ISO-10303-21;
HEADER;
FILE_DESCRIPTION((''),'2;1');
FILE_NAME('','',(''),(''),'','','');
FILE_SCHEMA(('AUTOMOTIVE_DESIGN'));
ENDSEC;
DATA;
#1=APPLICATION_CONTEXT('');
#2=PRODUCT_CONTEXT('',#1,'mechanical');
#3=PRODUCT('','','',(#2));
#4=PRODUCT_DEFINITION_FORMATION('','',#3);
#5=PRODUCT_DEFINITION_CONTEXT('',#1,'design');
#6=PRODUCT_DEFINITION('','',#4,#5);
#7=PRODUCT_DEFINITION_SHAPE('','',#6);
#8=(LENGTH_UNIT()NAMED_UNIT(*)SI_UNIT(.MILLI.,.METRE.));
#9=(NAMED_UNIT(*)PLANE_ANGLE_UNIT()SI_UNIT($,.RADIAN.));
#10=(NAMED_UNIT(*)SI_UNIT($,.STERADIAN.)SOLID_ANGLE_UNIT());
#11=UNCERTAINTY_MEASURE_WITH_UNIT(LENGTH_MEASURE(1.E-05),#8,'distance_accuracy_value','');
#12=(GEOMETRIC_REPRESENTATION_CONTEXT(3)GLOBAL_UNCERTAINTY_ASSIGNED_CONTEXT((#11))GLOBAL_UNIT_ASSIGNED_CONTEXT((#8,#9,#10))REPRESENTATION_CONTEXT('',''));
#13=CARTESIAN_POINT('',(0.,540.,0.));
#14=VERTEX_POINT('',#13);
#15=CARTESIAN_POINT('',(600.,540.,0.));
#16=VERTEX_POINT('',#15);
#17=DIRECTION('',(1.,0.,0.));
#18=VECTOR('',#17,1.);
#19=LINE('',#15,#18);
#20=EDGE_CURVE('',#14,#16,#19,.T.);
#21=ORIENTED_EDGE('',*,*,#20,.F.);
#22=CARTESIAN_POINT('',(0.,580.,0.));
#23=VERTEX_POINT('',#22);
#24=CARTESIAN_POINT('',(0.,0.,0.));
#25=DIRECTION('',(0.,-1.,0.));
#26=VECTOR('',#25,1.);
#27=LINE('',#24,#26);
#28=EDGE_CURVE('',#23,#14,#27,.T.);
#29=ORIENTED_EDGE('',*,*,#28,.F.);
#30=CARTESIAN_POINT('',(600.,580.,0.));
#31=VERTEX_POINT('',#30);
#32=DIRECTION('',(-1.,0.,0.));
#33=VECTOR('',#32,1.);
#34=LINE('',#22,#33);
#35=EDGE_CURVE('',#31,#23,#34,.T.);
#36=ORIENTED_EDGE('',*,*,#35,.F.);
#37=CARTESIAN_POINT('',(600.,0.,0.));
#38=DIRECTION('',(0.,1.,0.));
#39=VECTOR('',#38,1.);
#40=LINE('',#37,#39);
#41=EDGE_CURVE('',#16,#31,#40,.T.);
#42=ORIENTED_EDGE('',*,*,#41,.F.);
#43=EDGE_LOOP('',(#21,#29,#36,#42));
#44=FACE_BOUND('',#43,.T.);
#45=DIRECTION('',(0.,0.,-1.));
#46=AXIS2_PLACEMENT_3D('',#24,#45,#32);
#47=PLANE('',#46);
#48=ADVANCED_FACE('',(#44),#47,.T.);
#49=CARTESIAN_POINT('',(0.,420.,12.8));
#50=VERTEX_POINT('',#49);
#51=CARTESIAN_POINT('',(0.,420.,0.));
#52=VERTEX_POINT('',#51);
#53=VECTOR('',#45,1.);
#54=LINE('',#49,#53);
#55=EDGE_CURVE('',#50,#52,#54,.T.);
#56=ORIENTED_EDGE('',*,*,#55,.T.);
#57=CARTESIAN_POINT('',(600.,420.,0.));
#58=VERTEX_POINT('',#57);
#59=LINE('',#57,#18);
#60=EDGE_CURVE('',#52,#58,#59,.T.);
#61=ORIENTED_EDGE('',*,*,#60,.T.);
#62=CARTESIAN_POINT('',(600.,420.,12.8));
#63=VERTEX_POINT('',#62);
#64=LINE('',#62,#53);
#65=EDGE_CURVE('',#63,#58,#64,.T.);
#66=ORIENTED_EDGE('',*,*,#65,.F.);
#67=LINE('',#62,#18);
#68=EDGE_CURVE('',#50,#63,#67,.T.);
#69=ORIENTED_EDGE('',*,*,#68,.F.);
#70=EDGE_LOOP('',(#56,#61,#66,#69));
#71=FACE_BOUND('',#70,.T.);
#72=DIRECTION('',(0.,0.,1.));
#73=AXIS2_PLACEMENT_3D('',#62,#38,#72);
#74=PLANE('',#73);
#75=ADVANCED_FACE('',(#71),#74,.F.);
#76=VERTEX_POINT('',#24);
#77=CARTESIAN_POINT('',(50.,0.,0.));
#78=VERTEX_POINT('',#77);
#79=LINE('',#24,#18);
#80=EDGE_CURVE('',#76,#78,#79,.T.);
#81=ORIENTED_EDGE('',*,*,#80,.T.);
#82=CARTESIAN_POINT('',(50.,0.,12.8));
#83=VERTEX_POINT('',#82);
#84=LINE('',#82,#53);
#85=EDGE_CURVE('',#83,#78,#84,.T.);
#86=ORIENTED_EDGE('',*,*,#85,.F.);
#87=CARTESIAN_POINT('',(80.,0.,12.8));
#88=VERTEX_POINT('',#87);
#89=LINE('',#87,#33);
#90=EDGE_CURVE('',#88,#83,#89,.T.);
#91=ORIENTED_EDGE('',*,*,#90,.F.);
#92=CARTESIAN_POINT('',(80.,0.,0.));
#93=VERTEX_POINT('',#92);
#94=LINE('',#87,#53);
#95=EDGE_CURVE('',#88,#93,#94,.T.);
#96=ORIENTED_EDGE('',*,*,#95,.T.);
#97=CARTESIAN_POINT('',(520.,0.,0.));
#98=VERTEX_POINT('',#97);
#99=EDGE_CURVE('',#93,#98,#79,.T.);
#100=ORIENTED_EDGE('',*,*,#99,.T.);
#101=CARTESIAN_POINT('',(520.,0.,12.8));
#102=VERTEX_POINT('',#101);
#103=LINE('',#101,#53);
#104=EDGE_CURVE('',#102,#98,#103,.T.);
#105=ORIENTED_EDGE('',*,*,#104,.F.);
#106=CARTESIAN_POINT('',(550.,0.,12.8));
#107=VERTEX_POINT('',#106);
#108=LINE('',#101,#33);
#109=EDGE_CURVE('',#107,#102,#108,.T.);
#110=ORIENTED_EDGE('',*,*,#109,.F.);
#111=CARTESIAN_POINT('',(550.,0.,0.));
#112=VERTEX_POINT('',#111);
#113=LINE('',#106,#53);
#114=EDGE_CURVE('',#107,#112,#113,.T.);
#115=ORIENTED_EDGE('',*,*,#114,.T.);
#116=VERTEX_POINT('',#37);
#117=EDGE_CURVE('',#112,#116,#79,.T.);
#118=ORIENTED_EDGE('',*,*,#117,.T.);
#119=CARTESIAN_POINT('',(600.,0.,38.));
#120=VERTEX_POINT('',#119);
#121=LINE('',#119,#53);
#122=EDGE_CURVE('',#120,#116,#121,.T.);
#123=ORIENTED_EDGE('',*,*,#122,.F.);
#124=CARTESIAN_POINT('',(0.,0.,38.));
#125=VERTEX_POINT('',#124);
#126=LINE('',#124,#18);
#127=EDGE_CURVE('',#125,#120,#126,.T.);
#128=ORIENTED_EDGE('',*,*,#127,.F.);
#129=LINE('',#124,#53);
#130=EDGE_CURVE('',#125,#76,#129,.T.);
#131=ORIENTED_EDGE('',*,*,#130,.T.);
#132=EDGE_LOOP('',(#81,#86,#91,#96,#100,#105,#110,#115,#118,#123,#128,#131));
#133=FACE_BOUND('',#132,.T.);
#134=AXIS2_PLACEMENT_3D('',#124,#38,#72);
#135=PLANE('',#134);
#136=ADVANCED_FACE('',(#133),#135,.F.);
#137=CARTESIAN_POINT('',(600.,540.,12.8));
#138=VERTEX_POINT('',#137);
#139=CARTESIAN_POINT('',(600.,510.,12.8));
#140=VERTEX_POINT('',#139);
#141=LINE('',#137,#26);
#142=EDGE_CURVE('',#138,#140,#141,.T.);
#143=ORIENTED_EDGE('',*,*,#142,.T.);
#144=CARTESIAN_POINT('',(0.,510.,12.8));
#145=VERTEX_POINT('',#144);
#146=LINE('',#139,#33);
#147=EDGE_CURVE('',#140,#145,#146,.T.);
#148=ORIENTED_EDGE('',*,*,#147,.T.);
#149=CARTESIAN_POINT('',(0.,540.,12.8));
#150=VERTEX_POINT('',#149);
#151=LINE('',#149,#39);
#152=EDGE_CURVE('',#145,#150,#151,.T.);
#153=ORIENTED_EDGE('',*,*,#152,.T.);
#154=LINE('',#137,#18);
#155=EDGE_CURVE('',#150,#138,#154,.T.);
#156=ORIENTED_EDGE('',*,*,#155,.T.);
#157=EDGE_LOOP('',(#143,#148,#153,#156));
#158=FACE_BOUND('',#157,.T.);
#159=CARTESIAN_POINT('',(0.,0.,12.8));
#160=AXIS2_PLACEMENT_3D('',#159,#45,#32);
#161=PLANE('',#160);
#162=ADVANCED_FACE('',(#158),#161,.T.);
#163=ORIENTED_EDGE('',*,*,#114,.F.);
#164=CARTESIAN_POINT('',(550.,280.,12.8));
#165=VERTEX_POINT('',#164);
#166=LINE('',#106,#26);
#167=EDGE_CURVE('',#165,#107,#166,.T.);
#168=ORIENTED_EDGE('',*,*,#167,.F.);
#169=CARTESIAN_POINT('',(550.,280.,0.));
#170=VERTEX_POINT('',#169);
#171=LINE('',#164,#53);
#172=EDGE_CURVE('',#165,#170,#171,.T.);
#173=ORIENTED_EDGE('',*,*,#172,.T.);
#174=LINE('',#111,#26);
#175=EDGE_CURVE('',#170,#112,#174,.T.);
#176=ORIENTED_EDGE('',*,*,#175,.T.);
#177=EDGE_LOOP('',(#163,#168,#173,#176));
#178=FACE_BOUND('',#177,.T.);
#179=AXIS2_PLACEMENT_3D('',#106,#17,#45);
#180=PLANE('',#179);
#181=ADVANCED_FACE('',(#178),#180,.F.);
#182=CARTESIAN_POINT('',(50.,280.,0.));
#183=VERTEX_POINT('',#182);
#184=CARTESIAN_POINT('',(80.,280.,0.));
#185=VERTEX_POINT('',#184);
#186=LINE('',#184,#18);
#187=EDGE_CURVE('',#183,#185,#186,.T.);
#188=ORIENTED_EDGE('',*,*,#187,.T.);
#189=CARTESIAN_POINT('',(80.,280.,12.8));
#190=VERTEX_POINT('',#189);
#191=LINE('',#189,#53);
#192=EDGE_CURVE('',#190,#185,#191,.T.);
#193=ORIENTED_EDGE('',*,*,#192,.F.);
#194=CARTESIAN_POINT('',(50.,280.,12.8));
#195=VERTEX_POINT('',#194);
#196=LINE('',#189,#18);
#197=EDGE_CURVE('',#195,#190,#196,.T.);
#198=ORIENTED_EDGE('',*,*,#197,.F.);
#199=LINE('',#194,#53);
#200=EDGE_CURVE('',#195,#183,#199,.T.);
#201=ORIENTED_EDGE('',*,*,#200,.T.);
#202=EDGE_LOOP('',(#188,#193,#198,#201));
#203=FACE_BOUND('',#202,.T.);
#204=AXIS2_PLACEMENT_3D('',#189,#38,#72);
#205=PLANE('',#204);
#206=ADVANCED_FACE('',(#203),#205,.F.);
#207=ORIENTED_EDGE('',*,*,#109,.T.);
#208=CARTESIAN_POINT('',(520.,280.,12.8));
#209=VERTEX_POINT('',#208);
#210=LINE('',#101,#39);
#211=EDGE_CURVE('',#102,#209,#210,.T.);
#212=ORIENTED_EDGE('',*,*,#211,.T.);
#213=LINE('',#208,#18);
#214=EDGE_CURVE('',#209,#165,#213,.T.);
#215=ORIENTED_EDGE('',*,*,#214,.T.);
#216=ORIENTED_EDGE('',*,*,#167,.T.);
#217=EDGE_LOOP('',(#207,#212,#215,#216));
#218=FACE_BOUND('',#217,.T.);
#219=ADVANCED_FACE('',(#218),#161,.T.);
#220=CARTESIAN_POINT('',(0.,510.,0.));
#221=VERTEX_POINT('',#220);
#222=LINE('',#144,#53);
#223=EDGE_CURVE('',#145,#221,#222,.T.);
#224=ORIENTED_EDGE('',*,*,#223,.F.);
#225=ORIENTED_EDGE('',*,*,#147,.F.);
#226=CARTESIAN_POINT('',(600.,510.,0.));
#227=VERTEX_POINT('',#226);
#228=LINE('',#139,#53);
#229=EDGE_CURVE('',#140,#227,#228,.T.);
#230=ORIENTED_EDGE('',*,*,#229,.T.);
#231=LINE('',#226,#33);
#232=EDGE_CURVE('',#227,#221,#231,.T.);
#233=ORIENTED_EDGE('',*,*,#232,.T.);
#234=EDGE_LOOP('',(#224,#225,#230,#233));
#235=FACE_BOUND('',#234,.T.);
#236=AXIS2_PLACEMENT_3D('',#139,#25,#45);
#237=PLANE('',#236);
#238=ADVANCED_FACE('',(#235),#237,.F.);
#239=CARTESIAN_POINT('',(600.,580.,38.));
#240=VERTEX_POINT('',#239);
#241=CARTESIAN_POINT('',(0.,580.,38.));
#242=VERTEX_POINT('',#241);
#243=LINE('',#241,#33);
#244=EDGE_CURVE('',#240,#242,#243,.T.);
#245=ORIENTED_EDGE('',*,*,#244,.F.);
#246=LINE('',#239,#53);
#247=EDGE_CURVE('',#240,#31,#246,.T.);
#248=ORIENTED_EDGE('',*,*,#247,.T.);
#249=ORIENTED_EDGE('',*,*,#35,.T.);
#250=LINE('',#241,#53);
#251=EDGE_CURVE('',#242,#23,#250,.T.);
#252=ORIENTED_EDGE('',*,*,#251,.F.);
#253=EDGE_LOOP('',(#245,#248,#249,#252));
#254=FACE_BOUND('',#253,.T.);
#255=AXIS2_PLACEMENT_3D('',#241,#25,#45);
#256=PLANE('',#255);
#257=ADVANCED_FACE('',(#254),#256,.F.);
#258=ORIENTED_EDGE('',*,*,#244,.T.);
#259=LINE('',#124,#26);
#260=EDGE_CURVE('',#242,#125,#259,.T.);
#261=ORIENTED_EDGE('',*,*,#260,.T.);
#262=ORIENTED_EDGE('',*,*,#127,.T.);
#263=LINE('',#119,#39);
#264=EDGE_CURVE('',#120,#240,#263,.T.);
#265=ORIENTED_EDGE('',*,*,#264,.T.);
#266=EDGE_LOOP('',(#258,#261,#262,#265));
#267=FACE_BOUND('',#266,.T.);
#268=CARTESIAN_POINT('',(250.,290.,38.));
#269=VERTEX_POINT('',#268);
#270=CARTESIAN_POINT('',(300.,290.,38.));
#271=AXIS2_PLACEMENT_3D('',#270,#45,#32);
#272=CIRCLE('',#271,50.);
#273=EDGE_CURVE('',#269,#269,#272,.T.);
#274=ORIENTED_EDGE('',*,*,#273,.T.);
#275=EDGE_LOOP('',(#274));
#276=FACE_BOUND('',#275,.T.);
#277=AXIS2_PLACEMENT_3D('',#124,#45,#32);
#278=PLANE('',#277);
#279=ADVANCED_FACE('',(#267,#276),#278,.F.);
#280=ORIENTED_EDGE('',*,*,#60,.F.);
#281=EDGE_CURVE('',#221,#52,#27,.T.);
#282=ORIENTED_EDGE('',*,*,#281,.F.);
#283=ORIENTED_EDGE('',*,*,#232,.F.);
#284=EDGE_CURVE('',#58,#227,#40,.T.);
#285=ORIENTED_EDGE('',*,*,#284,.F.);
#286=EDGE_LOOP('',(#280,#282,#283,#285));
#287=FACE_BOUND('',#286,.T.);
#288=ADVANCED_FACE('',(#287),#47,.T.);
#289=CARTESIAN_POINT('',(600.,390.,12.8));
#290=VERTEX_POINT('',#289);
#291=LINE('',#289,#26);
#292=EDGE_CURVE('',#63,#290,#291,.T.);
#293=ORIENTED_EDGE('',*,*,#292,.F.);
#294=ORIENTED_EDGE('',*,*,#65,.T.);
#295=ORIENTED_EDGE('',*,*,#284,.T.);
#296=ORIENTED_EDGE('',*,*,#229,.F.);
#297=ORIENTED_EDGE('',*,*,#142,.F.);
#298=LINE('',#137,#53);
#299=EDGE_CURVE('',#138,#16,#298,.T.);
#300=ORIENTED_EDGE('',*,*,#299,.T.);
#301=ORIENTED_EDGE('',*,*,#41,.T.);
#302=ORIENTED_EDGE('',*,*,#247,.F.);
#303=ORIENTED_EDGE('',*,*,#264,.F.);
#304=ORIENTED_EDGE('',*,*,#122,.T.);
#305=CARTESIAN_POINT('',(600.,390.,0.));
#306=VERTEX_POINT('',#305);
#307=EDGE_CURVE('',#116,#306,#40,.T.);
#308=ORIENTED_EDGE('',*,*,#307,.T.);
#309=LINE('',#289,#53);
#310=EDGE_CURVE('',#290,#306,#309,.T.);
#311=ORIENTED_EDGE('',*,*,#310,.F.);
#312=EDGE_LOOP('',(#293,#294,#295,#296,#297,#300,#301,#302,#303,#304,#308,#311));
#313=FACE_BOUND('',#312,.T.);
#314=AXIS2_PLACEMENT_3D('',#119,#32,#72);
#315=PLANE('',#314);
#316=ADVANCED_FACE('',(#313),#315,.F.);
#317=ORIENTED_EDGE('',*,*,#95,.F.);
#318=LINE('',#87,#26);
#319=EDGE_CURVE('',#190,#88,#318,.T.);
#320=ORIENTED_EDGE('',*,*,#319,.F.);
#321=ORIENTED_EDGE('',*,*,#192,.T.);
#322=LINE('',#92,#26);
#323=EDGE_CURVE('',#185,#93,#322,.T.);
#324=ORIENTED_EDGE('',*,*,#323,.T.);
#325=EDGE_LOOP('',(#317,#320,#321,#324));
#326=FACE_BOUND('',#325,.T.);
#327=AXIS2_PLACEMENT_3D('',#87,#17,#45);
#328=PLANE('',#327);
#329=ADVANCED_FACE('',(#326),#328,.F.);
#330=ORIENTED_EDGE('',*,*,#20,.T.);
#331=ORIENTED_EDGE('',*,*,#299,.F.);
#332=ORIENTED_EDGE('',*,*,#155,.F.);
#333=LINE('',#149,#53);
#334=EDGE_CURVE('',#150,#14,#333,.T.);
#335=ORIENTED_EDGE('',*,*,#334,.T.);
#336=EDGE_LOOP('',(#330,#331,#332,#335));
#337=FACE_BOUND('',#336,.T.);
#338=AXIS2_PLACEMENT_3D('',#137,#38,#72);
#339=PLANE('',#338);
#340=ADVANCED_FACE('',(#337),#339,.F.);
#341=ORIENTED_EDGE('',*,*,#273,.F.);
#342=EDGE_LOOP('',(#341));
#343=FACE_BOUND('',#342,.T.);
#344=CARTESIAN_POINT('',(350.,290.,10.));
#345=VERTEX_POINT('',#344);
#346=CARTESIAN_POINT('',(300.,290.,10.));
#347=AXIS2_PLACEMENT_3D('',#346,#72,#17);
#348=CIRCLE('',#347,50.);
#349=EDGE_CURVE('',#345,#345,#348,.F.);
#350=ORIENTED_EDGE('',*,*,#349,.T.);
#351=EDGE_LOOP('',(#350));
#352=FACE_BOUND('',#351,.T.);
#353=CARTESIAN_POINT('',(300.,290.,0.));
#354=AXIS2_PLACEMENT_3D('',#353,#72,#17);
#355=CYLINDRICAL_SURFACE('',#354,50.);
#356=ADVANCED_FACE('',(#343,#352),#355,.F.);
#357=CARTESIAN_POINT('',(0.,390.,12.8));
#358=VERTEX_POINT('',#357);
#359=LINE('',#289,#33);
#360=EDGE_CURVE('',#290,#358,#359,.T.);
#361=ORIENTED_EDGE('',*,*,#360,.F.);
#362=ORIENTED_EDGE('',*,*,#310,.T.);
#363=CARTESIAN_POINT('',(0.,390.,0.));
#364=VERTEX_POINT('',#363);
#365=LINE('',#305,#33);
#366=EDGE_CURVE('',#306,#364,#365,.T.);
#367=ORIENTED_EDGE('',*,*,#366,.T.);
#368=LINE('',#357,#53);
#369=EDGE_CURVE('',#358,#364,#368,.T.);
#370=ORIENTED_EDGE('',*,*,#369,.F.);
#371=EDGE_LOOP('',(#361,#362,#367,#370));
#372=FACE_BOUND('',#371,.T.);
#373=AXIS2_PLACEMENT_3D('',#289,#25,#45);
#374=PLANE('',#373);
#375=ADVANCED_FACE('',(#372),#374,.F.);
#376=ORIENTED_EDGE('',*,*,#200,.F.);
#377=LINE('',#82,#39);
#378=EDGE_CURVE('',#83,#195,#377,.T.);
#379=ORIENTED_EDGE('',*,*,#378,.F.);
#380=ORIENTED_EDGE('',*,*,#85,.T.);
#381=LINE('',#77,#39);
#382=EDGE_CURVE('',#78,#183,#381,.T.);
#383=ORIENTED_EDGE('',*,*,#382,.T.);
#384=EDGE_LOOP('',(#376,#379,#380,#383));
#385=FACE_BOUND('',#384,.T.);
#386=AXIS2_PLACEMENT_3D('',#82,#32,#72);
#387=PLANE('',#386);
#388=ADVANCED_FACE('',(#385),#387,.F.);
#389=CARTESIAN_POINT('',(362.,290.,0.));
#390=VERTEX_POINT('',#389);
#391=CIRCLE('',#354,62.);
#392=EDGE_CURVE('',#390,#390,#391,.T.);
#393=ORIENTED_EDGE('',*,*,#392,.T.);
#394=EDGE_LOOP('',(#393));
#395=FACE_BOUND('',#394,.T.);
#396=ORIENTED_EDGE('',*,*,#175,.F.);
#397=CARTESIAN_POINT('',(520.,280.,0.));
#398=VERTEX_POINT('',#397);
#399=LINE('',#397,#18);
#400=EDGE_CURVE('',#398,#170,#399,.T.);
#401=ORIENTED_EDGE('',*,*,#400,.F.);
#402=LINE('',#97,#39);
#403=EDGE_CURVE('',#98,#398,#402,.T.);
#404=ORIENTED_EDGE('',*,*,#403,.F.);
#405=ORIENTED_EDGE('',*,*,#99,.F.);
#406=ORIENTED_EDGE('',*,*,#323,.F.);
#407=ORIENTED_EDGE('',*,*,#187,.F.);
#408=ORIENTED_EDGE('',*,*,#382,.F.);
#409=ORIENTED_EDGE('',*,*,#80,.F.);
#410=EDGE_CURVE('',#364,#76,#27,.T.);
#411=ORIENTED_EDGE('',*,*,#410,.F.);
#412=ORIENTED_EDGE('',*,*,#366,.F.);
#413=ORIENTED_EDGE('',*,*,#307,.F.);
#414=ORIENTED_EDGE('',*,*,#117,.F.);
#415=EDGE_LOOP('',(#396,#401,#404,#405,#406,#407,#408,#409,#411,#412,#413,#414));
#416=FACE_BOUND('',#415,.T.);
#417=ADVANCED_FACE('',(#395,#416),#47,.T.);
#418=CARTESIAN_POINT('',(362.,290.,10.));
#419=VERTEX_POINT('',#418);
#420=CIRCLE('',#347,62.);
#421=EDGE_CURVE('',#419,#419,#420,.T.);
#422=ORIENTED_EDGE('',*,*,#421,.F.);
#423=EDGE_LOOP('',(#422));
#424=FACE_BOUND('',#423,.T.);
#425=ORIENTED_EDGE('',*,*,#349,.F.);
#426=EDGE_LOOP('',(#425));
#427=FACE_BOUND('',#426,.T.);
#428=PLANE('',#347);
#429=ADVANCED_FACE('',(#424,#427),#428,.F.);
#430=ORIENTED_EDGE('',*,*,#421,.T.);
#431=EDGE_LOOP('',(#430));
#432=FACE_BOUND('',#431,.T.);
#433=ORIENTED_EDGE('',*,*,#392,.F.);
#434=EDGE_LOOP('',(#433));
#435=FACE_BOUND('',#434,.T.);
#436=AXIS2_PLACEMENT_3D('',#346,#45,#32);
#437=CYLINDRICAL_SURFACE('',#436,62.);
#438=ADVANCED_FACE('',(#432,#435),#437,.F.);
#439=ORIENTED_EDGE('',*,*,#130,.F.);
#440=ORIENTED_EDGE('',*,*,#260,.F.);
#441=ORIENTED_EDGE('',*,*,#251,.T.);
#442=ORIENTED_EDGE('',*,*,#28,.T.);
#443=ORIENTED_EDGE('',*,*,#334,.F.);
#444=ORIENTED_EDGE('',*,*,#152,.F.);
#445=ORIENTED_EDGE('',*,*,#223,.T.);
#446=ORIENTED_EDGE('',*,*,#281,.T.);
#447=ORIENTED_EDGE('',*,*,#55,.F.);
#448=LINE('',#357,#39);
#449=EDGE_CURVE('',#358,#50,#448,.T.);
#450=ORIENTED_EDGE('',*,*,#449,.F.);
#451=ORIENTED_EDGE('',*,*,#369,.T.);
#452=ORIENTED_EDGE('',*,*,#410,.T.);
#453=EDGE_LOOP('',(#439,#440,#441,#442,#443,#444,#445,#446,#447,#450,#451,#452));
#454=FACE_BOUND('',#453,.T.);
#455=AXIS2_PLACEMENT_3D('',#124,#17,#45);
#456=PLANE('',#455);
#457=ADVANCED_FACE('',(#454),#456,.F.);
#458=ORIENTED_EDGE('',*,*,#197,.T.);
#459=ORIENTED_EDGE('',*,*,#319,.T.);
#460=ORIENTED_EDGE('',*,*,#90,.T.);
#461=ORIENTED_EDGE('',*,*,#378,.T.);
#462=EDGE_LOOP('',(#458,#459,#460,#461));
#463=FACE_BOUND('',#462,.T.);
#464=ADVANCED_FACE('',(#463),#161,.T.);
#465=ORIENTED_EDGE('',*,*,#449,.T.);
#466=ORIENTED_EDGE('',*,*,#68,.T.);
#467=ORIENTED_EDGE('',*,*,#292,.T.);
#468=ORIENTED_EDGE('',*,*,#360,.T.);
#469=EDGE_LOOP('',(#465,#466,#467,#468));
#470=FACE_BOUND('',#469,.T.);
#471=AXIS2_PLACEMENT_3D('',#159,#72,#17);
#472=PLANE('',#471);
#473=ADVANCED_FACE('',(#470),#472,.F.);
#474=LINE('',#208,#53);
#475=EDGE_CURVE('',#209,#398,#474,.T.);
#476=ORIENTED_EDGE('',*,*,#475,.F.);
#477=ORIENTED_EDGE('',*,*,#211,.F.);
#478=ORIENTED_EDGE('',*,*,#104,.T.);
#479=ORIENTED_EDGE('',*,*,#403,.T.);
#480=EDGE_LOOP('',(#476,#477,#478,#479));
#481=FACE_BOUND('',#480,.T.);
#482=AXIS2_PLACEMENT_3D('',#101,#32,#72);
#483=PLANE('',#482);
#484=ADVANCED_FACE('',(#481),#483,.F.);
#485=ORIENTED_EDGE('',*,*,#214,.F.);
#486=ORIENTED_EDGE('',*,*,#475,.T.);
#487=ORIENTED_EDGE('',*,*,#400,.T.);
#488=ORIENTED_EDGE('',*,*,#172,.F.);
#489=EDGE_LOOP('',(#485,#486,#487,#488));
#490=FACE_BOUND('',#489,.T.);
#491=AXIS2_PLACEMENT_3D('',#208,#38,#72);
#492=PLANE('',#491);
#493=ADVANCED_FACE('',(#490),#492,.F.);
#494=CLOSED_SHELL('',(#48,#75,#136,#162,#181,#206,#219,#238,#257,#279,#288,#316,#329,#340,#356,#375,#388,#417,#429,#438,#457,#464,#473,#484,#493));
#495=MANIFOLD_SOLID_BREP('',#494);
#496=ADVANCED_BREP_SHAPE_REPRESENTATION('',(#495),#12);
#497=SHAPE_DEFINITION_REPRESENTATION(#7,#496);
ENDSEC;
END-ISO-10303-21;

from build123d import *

# Parameters (mm, degrees)
ESQUISSE1_W                  = 600
ESQUISSE1_H                  = 580
BOSS_EXTRU_1_DEPTH           = 38
ENL_V_MAT_EXTRU_1_DEPTH      = 836.370576451
ENL_V_MAT_EXTRU_1_DEPTH_BACK = 836.370576451
ESQUISSE2_R                  = 50
ESQUISSE3_R                  = 62
ENL_V_MAT_EXTRU_3_DEPTH      = 10
ESQUISSE4_W                  = 600
ESQUISSE4_H                  = 30
ENL_V_MAT_EXTRU_4_DEPTH      = 12.8
ESQUISSE5_W                  = 30
ESQUISSE5_H                  = 280
ENL_V_MAT_EXTRU_5_DEPTH      = 12.8


with BuildPart() as part:
    # Esquisse1 → Boss.-Extru.1 (new body)
    with BuildSketch(Plane.XY):
        with Locations((300, 290)):
            Rectangle(ESQUISSE1_W, ESQUISSE1_H)
    extrude(amount=BOSS_EXTRU_1_DEPTH)

    # Esquisse2 → Enlèv. mat.-Extru.1 (cut, two sides: drawn at the far end of the back side and taken through both)
    with BuildSketch(Plane.XY.offset(38).offset(-ENL_V_MAT_EXTRU_1_DEPTH_BACK)):
        with Locations((300, 290)):
            Circle(ESQUISSE2_R)
    extrude(amount=ENL_V_MAT_EXTRU_1_DEPTH + ENL_V_MAT_EXTRU_1_DEPTH_BACK, mode=Mode.SUBTRACT)

    # Esquisse3 → Enlèv. mat.-Extru.3 (cut)
    with BuildSketch(Plane.XY):
        with Locations((300, 290)):
            Circle(ESQUISSE3_R)
    extrude(amount=ENL_V_MAT_EXTRU_3_DEPTH, mode=Mode.SUBTRACT)

    # Esquisse4 → Enlèv. mat.-Extru.4 (cut)
    with BuildSketch(Plane(origin=(0, 0, 0), x_dir=(-1, 0, 0), z_dir=(0, 0, -1))):
        with Locations((-300, 405)):
            Rectangle(ESQUISSE4_W, ESQUISSE4_H)
        with Locations((-300, 525)):
            Rectangle(ESQUISSE4_W, ESQUISSE4_H)
    extrude(amount=-ENL_V_MAT_EXTRU_4_DEPTH, mode=Mode.SUBTRACT)

    # Esquisse5 → Enlèv. mat.-Extru.5 (cut)
    with BuildSketch(Plane(origin=(0, 0, 0), x_dir=(-1, 0, 0), z_dir=(0, 0, -1))):
        with Locations((-65, 140)):
            Rectangle(ESQUISSE5_W, ESQUISSE5_H)
        with Locations((-535, 140)):
            Rectangle(ESQUISSE5_W, ESQUISSE5_H)
    extrude(amount=-ENL_V_MAT_EXTRU_5_DEPTH, mode=Mode.SUBTRACT)


solid = part.part
